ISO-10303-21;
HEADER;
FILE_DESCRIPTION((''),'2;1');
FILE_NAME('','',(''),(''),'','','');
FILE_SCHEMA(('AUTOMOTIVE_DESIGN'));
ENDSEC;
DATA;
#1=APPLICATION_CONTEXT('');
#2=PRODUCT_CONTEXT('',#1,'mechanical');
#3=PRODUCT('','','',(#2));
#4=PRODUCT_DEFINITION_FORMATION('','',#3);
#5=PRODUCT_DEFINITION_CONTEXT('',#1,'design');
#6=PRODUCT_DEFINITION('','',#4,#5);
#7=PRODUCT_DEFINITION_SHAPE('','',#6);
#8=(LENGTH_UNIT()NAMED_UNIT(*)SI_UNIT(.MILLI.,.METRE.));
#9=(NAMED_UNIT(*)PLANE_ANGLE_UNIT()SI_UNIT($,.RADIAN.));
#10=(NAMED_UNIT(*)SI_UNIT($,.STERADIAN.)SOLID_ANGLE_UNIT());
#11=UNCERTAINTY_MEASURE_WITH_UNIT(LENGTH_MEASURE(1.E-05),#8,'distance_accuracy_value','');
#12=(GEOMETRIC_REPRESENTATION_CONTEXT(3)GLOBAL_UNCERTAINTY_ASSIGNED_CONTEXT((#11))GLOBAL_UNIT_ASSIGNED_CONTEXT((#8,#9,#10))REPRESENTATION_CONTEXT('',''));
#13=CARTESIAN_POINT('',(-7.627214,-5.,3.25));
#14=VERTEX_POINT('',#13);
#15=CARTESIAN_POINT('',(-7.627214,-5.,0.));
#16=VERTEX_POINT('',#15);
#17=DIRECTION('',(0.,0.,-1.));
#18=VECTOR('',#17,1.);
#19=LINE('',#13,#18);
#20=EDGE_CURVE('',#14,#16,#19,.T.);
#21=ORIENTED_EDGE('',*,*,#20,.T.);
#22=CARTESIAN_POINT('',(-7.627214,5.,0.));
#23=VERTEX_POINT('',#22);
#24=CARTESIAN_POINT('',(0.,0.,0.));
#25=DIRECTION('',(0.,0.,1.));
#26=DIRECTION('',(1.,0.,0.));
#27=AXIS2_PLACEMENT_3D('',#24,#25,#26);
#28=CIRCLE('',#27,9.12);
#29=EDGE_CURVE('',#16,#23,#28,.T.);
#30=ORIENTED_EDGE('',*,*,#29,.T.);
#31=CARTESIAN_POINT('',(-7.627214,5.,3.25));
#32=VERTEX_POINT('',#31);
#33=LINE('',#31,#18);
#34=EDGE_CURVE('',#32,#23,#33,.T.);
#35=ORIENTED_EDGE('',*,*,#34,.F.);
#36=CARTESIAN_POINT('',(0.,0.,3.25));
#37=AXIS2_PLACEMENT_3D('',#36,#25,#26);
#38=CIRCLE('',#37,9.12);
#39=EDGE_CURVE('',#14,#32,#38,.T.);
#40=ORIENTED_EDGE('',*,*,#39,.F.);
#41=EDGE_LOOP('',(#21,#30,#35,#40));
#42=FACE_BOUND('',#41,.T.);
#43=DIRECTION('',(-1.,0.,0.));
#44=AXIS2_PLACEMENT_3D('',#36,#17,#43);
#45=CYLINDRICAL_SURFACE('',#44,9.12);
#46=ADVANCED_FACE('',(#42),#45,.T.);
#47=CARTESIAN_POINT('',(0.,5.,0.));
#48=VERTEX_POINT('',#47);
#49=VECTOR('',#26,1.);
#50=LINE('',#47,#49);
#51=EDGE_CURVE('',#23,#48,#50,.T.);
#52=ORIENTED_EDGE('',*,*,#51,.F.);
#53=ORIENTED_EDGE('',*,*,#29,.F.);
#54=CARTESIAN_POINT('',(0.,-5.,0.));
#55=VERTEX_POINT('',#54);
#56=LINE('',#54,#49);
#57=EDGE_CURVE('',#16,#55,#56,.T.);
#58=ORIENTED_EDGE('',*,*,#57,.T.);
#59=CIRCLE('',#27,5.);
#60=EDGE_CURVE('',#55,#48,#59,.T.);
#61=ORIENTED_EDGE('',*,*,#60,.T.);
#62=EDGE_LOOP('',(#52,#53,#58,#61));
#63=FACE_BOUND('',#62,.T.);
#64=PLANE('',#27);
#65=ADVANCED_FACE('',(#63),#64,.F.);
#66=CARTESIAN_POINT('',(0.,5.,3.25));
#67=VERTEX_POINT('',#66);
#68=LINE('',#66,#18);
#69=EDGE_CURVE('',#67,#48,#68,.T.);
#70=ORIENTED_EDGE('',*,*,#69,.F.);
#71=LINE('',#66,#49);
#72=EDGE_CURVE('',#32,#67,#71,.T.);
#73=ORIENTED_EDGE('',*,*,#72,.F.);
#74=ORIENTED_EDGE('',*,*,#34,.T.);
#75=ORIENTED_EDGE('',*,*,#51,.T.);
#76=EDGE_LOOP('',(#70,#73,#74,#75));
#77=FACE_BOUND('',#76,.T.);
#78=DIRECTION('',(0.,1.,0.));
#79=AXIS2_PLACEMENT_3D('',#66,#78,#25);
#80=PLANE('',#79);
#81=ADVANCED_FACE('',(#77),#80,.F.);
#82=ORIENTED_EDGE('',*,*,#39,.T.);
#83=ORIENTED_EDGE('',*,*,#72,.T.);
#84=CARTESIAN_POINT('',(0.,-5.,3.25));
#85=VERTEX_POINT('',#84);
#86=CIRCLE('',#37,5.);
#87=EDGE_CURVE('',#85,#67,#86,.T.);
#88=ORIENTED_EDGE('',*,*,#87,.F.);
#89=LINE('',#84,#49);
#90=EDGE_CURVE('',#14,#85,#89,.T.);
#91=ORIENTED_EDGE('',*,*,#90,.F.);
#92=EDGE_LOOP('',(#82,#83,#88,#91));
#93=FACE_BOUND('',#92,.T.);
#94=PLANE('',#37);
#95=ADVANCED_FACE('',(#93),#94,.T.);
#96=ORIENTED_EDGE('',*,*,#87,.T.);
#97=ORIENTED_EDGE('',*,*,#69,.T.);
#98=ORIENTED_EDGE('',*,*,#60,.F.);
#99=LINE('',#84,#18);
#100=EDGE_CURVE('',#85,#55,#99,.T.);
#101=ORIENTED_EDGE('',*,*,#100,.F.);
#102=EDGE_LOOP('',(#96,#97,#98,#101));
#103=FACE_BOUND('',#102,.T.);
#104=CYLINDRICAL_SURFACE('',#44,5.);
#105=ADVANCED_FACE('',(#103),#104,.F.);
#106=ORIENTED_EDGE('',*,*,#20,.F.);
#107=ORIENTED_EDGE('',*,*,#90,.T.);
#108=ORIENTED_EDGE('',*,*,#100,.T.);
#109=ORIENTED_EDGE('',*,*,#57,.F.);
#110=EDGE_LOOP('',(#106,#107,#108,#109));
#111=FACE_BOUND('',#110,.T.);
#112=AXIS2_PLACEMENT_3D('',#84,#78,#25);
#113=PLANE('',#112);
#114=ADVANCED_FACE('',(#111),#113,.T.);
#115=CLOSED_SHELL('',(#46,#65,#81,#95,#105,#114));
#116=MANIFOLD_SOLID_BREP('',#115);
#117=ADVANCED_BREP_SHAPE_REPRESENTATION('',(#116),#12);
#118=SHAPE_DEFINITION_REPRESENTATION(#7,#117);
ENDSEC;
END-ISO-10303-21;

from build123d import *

# Parameters (mm, degrees)
SALIENTE_EXTRUIR1_DEPTH = 3.25


with BuildPart() as part:
    # Croquis1 → Saliente-Extruir1 (new body)
    with BuildSketch(Plane.XY):
        with BuildLine():
            ThreePointArc((-7.627214433, -5), (9.12, 0), (-7.627214433, 5))
            Line((-7.627214433, 5), (0, 5))
            ThreePointArc((0, 5), (5, 0), (0, -5))
            Line((0, -5), (-7.627214433, -5))
        make_face()
    extrude(amount=SALIENTE_EXTRUIR1_DEPTH)


solid = part.part
